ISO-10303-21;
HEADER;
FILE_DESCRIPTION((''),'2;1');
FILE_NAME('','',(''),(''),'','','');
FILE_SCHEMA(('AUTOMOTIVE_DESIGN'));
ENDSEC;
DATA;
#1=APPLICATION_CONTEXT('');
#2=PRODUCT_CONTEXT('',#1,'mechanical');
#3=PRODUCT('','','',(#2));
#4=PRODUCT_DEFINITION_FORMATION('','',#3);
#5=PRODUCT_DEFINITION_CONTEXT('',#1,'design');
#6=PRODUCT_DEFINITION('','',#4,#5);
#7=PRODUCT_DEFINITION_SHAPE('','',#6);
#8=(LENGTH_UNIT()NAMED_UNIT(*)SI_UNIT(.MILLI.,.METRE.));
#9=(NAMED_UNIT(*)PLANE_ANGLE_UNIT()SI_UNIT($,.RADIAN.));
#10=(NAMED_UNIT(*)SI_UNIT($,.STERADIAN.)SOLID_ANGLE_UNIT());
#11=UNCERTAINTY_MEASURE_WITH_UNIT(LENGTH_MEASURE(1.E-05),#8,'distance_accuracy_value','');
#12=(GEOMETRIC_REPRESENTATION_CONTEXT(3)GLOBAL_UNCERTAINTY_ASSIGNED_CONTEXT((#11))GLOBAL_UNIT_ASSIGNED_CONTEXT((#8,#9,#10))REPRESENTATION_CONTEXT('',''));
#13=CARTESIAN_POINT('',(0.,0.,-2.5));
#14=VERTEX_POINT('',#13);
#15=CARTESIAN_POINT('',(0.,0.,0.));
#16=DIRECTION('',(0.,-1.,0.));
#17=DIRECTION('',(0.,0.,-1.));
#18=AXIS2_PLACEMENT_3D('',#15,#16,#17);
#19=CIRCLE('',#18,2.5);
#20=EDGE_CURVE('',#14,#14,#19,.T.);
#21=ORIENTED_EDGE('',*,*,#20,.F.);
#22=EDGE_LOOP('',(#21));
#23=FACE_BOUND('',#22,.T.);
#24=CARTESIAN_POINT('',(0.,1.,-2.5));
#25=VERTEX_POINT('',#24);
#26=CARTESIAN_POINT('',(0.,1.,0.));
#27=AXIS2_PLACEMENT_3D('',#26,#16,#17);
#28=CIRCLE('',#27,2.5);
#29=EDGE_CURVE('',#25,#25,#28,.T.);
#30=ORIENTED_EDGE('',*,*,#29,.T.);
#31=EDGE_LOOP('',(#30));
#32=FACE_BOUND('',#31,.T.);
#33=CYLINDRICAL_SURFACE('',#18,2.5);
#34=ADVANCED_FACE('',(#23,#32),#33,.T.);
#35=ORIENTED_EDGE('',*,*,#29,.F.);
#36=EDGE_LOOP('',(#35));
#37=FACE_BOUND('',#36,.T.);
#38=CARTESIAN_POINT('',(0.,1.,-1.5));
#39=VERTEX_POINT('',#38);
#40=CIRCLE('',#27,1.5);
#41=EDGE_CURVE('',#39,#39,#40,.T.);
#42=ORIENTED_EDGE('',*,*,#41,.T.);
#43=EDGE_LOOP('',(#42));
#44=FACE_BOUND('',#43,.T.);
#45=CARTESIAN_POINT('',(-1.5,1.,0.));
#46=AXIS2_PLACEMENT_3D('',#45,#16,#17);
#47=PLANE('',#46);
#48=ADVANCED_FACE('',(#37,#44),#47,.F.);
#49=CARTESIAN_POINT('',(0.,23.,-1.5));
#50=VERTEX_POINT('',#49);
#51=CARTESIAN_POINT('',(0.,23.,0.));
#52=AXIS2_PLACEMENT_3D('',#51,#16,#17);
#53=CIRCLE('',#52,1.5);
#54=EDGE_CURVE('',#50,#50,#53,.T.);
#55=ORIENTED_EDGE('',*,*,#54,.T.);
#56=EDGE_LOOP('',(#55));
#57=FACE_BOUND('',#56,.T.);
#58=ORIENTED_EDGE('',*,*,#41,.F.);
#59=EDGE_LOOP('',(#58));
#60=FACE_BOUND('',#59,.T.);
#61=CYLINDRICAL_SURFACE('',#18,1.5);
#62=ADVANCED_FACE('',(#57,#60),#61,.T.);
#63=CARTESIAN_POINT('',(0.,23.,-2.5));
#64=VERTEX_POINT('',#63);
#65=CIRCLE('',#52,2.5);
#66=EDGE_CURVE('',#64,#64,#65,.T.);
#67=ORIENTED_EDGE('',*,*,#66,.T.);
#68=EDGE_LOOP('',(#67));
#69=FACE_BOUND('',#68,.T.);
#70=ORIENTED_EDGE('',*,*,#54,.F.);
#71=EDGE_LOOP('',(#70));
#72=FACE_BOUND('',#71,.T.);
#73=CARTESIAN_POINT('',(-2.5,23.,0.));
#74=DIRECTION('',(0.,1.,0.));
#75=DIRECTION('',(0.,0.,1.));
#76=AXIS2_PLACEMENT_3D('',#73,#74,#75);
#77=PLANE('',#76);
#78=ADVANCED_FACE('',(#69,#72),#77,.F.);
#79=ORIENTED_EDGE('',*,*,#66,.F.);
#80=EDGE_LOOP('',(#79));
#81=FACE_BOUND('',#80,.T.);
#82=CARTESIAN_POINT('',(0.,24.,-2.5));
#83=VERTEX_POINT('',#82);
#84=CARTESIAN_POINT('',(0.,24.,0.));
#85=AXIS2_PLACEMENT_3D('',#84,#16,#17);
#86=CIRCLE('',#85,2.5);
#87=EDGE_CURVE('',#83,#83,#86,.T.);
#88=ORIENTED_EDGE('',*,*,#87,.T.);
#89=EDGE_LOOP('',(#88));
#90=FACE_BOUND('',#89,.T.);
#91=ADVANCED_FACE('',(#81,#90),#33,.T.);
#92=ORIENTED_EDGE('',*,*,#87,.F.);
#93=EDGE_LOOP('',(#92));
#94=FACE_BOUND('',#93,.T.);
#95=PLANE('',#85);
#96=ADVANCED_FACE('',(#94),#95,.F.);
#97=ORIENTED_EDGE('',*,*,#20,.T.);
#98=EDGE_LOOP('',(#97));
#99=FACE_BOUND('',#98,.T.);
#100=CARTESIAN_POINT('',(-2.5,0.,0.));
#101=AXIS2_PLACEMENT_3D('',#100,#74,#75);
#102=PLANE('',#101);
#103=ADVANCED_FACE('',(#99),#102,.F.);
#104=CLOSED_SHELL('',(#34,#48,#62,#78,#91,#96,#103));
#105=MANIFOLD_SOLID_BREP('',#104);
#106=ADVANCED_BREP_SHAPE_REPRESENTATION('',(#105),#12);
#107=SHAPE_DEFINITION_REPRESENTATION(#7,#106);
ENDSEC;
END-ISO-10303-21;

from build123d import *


with BuildPart() as part:
    # Sketch1 → Revolve1 (revolve)
    with BuildSketch(Plane.XY):
        Polygon((0, 0), (0, 24), (-2.5, 24), (-2.5, 23), (-1.5, 23), (-1.5, 1), (-2.5, 1), (-2.5, 0), align=None)
    revolve(axis=Axis((0, 0, 0), (0, 1, 0)))


solid = part.part
